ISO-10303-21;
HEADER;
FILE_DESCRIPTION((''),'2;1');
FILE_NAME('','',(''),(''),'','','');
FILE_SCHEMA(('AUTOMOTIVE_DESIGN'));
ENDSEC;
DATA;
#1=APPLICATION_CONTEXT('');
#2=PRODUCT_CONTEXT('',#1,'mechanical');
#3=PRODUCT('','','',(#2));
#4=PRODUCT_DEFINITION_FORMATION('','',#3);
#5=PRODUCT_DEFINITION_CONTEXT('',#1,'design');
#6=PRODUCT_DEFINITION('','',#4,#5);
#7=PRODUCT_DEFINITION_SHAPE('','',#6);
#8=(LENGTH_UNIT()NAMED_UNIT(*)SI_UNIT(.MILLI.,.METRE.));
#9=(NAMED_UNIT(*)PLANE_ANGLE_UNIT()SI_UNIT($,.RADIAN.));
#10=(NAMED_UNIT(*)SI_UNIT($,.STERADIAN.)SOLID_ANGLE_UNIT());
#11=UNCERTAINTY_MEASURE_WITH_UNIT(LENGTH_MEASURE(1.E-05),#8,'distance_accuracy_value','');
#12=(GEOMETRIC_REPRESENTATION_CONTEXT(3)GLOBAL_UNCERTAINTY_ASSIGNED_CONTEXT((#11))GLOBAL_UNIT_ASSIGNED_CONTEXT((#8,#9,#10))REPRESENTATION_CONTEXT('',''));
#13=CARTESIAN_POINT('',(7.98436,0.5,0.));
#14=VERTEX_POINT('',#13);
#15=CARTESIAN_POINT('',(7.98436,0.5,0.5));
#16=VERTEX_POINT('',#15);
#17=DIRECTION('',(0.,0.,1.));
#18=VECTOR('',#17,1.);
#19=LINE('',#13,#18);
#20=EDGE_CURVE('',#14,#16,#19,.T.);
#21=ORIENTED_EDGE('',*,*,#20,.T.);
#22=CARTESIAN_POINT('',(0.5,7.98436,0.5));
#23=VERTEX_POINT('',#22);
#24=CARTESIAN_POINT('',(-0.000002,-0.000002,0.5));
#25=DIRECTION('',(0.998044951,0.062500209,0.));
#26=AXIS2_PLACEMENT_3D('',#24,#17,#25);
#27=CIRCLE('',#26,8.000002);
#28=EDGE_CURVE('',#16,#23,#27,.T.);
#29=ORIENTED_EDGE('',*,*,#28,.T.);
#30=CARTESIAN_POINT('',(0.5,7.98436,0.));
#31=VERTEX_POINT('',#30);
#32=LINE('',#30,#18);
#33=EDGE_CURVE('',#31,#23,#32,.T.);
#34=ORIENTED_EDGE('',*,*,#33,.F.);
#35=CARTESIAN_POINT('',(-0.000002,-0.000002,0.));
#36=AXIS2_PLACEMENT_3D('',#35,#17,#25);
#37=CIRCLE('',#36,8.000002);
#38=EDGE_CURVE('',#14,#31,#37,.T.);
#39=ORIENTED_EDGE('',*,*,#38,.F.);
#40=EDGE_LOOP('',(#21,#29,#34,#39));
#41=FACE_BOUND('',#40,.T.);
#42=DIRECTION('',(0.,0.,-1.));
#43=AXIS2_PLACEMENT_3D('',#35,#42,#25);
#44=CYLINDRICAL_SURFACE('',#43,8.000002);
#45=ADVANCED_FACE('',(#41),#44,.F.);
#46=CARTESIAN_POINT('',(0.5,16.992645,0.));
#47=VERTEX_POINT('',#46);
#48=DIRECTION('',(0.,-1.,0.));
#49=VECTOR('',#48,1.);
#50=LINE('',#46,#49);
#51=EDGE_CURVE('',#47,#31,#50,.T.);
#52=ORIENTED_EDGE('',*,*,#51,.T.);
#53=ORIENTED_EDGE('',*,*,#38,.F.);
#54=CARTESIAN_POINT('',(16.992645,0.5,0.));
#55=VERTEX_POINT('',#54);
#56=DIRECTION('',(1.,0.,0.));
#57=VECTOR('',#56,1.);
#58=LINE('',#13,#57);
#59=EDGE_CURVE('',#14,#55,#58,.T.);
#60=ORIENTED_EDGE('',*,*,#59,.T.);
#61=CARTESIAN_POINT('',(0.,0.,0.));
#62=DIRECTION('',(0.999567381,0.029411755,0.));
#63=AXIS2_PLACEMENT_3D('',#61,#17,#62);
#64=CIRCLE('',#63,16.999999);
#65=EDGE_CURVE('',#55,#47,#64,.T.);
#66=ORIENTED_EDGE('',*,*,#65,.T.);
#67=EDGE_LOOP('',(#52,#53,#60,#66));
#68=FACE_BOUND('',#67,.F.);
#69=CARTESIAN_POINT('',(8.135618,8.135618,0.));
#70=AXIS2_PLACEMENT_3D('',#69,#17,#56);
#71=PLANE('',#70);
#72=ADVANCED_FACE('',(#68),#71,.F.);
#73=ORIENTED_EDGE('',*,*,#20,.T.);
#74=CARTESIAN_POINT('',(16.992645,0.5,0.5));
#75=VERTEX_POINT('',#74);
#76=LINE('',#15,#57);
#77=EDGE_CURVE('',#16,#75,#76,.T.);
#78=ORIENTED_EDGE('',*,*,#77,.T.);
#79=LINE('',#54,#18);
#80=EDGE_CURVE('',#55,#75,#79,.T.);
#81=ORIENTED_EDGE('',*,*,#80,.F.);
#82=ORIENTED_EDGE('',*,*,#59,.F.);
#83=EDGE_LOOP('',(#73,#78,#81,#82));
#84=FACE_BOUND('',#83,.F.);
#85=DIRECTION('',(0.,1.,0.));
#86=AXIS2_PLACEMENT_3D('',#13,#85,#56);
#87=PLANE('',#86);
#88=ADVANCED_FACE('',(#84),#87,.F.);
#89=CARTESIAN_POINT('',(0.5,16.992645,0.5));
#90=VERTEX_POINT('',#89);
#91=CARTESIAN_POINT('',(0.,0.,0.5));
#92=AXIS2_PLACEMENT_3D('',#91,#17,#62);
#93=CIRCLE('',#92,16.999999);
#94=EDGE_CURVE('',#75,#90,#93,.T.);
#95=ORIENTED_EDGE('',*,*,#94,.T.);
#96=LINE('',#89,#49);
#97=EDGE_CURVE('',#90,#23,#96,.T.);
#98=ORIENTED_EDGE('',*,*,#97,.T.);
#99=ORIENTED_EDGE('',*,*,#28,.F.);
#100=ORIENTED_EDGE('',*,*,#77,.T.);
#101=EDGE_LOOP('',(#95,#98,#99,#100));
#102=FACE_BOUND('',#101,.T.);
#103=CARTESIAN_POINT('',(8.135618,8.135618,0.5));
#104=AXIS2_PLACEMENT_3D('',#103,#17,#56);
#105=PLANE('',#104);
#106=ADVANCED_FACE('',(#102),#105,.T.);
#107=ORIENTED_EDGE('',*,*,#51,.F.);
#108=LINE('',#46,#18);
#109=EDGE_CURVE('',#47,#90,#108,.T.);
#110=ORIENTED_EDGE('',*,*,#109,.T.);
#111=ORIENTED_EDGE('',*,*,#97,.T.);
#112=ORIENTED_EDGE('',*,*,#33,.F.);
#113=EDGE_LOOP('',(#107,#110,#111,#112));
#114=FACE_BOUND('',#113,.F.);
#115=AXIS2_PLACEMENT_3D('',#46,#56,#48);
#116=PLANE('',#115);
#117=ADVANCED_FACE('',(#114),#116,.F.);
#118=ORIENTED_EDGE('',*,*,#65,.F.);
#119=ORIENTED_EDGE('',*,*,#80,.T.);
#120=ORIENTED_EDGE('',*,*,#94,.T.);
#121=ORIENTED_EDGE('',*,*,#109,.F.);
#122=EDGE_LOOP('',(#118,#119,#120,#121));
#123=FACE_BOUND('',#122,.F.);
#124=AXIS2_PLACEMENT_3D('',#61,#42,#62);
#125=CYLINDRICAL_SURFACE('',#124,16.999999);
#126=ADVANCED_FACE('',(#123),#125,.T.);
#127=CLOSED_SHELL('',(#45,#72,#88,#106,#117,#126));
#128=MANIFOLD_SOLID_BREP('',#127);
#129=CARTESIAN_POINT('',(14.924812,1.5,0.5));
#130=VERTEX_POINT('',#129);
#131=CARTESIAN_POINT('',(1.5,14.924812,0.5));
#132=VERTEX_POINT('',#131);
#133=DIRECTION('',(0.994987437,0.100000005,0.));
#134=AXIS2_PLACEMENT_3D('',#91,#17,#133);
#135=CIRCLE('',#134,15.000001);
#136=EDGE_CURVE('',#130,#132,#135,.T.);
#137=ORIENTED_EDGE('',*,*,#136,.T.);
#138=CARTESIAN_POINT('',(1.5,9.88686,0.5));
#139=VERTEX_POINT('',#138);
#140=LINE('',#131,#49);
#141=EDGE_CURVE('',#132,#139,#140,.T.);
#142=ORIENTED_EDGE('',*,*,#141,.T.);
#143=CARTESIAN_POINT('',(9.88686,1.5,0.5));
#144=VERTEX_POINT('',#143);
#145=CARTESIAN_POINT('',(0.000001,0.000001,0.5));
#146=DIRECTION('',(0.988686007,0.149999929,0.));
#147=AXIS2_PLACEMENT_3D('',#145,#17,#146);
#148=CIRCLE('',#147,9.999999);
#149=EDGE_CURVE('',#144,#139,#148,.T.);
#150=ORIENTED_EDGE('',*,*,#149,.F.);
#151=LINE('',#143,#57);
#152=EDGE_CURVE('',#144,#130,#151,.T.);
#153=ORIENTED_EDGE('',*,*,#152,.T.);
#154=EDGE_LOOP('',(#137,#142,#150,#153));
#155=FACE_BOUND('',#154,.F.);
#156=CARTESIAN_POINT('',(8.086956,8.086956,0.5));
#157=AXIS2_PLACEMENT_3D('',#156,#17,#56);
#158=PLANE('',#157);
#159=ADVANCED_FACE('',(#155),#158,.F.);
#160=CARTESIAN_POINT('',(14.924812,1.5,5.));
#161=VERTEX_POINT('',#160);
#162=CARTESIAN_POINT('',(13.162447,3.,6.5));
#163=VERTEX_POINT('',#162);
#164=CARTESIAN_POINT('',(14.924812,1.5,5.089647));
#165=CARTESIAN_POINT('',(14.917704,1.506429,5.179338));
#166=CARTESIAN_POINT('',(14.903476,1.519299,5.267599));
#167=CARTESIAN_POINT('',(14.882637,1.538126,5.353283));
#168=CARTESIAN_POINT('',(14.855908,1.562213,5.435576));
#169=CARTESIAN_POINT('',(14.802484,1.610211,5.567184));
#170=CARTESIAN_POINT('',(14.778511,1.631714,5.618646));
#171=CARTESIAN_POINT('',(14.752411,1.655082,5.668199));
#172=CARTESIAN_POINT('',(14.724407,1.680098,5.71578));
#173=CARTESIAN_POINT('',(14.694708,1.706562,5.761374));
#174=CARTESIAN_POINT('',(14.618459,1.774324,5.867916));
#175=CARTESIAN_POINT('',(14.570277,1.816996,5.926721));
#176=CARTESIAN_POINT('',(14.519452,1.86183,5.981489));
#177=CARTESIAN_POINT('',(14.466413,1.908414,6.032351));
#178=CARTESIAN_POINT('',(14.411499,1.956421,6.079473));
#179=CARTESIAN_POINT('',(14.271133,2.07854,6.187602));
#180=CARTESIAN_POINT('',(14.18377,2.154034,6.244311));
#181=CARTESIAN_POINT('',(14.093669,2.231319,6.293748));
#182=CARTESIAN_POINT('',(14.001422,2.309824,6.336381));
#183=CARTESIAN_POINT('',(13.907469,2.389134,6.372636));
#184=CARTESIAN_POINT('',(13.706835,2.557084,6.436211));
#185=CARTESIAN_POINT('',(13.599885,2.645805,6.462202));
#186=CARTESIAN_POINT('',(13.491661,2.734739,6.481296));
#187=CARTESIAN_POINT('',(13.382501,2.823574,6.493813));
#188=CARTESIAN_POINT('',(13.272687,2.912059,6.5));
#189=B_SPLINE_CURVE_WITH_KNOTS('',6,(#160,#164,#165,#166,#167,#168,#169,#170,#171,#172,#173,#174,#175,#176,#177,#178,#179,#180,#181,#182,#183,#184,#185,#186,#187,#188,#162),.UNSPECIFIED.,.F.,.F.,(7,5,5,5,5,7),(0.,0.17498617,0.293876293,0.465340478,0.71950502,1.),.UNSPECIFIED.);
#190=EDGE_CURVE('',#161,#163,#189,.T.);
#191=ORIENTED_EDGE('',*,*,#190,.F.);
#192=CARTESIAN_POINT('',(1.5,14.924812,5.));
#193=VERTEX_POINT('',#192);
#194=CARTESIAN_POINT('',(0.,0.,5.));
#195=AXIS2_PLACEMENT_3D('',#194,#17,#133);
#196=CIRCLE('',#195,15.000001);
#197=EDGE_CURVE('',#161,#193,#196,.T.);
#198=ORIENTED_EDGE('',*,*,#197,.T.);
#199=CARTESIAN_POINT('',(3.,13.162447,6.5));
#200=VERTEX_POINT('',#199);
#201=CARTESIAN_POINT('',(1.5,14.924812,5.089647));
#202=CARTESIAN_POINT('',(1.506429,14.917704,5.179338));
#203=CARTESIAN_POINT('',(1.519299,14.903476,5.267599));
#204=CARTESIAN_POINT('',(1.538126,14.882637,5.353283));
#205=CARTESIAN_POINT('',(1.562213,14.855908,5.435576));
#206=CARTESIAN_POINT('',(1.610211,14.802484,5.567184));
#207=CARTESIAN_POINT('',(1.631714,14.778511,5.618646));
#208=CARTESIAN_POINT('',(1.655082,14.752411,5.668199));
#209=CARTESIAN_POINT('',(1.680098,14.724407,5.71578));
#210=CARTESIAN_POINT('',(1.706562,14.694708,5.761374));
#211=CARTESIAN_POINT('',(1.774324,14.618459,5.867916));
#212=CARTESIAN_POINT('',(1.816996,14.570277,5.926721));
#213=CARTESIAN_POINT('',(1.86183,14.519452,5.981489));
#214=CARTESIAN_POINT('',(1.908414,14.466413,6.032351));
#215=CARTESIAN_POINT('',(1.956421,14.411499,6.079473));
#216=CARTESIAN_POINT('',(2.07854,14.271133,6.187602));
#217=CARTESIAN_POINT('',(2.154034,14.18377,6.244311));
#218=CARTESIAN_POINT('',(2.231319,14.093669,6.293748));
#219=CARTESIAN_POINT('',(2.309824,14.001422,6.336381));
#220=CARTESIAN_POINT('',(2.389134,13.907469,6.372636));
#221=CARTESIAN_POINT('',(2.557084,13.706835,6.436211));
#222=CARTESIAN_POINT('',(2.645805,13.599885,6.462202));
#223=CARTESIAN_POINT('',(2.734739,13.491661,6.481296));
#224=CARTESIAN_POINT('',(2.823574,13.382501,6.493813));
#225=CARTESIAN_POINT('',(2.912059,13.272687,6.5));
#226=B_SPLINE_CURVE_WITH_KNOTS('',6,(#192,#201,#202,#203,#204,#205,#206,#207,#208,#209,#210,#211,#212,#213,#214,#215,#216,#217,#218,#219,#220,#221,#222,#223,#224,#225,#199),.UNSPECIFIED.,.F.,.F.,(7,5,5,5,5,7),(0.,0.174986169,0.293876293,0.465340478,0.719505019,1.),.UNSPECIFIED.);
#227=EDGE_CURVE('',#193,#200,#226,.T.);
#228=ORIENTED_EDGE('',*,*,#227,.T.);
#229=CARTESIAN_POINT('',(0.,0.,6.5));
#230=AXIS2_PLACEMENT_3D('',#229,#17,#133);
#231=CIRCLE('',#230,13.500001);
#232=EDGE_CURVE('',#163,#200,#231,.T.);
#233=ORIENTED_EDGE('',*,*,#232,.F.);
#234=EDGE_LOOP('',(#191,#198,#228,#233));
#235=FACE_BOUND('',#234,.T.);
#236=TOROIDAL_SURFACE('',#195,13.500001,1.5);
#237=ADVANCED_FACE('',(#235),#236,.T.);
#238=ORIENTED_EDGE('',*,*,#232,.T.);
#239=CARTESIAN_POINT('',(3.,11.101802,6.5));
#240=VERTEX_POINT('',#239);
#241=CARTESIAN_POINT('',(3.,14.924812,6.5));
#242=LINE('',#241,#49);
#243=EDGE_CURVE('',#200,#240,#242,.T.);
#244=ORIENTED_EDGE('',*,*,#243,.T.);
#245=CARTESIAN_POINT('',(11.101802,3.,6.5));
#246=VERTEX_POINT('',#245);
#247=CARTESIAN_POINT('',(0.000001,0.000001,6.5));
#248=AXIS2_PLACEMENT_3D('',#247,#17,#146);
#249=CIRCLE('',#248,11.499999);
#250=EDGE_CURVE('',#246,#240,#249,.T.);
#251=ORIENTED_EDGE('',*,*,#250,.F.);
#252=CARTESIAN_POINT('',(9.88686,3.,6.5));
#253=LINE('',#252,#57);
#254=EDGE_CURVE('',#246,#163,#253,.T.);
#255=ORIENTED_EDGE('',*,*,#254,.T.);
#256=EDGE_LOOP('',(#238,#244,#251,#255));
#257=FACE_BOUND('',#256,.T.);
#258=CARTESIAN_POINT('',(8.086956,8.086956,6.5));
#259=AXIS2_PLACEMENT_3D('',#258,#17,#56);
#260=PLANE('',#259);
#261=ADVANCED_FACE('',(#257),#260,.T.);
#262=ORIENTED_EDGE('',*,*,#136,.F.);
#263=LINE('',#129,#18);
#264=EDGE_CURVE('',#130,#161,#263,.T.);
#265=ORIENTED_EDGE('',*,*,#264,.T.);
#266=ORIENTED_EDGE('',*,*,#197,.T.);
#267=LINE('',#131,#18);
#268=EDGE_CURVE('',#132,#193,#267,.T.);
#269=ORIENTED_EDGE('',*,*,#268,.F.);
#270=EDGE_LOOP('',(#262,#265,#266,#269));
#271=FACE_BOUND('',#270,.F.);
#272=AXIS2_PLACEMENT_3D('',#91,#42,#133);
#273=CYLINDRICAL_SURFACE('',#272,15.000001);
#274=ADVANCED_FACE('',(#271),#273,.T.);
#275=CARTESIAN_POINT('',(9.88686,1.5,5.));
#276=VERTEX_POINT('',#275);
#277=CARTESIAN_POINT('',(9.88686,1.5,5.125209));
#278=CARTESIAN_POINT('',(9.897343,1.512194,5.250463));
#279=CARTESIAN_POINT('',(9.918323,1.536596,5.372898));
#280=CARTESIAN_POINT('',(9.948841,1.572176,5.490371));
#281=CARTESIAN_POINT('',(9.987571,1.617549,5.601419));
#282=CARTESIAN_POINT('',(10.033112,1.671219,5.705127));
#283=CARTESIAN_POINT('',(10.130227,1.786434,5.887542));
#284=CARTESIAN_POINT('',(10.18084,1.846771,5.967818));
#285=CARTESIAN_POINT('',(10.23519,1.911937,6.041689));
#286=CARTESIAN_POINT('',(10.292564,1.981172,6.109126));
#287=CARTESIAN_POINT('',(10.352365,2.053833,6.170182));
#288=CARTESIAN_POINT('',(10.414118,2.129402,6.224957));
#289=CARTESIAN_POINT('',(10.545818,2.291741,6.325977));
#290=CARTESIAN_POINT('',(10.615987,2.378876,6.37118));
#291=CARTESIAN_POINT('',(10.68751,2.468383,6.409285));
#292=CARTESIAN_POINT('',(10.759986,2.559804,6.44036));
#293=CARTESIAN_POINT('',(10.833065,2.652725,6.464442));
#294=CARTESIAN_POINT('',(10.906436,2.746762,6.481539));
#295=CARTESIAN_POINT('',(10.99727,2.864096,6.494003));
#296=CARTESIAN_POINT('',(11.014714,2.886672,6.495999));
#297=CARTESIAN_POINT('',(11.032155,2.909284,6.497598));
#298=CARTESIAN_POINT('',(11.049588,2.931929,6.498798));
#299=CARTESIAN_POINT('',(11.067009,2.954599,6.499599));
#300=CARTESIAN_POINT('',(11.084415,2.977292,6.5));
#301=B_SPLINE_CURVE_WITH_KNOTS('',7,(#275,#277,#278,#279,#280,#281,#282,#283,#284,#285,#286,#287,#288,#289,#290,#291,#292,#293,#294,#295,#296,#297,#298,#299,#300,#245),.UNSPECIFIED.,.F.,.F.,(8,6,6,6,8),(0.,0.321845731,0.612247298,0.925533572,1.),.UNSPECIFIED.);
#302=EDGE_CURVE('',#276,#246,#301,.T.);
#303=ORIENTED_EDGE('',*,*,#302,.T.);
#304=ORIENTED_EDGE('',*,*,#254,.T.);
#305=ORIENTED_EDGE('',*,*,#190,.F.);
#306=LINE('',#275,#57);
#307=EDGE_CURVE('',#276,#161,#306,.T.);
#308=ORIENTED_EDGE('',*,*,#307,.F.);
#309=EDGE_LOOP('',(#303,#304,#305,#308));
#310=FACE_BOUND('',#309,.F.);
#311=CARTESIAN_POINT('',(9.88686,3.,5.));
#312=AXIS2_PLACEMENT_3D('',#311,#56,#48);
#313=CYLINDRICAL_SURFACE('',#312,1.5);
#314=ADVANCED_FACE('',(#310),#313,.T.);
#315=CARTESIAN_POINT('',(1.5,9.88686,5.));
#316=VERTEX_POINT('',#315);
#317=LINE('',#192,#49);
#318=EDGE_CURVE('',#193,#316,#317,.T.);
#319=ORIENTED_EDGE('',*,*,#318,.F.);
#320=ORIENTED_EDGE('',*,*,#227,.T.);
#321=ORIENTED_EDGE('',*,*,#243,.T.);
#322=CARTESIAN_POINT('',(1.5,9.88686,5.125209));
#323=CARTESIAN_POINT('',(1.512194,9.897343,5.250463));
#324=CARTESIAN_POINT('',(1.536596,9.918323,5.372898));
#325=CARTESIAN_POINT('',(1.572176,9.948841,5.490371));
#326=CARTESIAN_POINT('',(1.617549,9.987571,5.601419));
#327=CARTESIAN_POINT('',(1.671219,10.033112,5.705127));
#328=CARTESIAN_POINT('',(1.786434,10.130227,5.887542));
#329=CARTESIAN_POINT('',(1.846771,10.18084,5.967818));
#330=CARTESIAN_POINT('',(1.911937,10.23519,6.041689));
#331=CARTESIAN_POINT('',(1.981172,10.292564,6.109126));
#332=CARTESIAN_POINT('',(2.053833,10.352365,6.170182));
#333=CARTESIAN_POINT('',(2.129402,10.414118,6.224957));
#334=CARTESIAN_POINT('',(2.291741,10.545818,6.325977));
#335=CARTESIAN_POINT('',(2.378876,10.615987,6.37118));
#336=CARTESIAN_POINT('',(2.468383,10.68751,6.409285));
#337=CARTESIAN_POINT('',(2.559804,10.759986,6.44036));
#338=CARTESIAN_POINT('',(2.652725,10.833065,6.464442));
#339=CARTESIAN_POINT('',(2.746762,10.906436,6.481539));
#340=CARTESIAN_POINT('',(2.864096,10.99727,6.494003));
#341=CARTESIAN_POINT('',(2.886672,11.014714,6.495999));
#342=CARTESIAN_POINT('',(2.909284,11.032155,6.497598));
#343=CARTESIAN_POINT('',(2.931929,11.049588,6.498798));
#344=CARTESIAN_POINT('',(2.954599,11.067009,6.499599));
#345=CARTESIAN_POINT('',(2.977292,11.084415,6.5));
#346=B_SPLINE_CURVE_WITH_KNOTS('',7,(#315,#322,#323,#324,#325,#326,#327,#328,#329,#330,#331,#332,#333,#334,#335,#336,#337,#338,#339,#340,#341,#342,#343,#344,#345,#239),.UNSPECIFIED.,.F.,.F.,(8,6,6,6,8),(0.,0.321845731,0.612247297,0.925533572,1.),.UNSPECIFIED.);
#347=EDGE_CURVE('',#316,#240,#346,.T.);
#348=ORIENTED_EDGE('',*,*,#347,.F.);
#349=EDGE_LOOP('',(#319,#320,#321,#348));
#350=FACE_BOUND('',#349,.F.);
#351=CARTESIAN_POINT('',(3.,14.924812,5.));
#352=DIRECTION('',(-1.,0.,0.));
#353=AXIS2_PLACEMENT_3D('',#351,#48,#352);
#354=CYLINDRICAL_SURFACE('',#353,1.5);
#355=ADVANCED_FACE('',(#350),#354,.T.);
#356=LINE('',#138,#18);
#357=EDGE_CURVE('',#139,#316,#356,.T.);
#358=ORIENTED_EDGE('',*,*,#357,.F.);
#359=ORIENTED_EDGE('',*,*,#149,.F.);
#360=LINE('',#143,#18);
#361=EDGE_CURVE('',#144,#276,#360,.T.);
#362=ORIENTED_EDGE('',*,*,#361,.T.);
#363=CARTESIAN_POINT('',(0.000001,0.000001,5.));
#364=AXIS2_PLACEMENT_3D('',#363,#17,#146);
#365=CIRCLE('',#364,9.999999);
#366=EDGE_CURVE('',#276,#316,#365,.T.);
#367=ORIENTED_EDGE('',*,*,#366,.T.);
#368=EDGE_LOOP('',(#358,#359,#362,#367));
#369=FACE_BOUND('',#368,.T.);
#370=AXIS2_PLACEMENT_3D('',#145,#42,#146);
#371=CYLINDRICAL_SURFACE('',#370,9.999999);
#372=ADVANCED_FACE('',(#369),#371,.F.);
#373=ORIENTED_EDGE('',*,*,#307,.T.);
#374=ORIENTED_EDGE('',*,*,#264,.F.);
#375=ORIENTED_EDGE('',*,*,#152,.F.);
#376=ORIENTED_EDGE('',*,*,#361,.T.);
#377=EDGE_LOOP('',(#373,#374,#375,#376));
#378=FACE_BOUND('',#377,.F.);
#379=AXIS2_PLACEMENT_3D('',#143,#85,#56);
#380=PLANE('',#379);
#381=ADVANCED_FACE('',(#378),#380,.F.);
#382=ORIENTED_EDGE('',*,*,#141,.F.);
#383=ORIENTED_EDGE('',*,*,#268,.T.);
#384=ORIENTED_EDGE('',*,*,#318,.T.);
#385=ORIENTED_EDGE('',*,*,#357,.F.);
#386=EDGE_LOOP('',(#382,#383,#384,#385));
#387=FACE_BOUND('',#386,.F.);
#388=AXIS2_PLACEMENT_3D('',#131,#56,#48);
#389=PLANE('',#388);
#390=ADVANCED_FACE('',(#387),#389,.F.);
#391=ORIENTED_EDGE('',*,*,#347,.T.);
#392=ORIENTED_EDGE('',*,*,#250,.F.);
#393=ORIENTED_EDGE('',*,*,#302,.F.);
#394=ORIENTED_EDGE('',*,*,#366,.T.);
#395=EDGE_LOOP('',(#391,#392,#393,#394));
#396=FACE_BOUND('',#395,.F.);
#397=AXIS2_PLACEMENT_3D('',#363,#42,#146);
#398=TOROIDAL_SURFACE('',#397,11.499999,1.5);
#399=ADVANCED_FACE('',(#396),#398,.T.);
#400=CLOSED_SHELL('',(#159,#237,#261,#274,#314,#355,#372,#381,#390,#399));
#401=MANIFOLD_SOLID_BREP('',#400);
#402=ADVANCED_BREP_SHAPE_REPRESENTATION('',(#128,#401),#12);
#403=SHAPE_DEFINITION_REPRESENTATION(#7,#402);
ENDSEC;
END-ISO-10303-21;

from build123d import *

# Parameters (mm, degrees)
PAD_DEPTH    = 0.5
PAD001_DEPTH = 6
FILLET_R     = 1.5


with BuildPart() as pad:
    # Sketch → Pad (new body)
    with BuildSketch(Plane.XY):
        with BuildLine():
            Line((0.5, 16.992645), (0.5, 7.98436))
            ThreePointArc((7.98436, 0.5), (5.656854, 5.656854), (0.5, 7.98436))
            Line((7.98436, 0.5), (16.992645, 0.5))
            ThreePointArc((16.992645, 0.5), (12.020815, 12.020815), (0.5, 16.992645))
        make_face()
    extrude(amount=PAD_DEPTH)


with BuildPart() as fillet_body:
    # Sketch001 → Pad001 (new body)
    with BuildSketch(Plane.XY.offset(0.5)):
        with BuildLine():
            Line((1.5, 14.924812), (1.5, 9.88686))
            ThreePointArc((9.88686, 1.5), (7.071068, 7.071068), (1.5, 9.88686))
            Line((9.88686, 1.5), (14.924812, 1.5))
            ThreePointArc((14.924812, 1.5), (10.606602, 10.606602), (1.5, 14.924812))
        make_face()
    extrude(amount=PAD001_DEPTH)

    # Fillet
    fillet_edges = [fillet_body.edges().sort_by_distance(p)[0] for p in [
        (7.071068, 7.071068, 6.5),
        (10.606602, 10.606602, 6.5),
        (12.405836, 1.5, 6.5),
        (1.5, 12.405836, 6.5),
    ]]
    fillet(fillet_edges, radius=FILLET_R)


solid = Compound([pad.part, fillet_body.part])
